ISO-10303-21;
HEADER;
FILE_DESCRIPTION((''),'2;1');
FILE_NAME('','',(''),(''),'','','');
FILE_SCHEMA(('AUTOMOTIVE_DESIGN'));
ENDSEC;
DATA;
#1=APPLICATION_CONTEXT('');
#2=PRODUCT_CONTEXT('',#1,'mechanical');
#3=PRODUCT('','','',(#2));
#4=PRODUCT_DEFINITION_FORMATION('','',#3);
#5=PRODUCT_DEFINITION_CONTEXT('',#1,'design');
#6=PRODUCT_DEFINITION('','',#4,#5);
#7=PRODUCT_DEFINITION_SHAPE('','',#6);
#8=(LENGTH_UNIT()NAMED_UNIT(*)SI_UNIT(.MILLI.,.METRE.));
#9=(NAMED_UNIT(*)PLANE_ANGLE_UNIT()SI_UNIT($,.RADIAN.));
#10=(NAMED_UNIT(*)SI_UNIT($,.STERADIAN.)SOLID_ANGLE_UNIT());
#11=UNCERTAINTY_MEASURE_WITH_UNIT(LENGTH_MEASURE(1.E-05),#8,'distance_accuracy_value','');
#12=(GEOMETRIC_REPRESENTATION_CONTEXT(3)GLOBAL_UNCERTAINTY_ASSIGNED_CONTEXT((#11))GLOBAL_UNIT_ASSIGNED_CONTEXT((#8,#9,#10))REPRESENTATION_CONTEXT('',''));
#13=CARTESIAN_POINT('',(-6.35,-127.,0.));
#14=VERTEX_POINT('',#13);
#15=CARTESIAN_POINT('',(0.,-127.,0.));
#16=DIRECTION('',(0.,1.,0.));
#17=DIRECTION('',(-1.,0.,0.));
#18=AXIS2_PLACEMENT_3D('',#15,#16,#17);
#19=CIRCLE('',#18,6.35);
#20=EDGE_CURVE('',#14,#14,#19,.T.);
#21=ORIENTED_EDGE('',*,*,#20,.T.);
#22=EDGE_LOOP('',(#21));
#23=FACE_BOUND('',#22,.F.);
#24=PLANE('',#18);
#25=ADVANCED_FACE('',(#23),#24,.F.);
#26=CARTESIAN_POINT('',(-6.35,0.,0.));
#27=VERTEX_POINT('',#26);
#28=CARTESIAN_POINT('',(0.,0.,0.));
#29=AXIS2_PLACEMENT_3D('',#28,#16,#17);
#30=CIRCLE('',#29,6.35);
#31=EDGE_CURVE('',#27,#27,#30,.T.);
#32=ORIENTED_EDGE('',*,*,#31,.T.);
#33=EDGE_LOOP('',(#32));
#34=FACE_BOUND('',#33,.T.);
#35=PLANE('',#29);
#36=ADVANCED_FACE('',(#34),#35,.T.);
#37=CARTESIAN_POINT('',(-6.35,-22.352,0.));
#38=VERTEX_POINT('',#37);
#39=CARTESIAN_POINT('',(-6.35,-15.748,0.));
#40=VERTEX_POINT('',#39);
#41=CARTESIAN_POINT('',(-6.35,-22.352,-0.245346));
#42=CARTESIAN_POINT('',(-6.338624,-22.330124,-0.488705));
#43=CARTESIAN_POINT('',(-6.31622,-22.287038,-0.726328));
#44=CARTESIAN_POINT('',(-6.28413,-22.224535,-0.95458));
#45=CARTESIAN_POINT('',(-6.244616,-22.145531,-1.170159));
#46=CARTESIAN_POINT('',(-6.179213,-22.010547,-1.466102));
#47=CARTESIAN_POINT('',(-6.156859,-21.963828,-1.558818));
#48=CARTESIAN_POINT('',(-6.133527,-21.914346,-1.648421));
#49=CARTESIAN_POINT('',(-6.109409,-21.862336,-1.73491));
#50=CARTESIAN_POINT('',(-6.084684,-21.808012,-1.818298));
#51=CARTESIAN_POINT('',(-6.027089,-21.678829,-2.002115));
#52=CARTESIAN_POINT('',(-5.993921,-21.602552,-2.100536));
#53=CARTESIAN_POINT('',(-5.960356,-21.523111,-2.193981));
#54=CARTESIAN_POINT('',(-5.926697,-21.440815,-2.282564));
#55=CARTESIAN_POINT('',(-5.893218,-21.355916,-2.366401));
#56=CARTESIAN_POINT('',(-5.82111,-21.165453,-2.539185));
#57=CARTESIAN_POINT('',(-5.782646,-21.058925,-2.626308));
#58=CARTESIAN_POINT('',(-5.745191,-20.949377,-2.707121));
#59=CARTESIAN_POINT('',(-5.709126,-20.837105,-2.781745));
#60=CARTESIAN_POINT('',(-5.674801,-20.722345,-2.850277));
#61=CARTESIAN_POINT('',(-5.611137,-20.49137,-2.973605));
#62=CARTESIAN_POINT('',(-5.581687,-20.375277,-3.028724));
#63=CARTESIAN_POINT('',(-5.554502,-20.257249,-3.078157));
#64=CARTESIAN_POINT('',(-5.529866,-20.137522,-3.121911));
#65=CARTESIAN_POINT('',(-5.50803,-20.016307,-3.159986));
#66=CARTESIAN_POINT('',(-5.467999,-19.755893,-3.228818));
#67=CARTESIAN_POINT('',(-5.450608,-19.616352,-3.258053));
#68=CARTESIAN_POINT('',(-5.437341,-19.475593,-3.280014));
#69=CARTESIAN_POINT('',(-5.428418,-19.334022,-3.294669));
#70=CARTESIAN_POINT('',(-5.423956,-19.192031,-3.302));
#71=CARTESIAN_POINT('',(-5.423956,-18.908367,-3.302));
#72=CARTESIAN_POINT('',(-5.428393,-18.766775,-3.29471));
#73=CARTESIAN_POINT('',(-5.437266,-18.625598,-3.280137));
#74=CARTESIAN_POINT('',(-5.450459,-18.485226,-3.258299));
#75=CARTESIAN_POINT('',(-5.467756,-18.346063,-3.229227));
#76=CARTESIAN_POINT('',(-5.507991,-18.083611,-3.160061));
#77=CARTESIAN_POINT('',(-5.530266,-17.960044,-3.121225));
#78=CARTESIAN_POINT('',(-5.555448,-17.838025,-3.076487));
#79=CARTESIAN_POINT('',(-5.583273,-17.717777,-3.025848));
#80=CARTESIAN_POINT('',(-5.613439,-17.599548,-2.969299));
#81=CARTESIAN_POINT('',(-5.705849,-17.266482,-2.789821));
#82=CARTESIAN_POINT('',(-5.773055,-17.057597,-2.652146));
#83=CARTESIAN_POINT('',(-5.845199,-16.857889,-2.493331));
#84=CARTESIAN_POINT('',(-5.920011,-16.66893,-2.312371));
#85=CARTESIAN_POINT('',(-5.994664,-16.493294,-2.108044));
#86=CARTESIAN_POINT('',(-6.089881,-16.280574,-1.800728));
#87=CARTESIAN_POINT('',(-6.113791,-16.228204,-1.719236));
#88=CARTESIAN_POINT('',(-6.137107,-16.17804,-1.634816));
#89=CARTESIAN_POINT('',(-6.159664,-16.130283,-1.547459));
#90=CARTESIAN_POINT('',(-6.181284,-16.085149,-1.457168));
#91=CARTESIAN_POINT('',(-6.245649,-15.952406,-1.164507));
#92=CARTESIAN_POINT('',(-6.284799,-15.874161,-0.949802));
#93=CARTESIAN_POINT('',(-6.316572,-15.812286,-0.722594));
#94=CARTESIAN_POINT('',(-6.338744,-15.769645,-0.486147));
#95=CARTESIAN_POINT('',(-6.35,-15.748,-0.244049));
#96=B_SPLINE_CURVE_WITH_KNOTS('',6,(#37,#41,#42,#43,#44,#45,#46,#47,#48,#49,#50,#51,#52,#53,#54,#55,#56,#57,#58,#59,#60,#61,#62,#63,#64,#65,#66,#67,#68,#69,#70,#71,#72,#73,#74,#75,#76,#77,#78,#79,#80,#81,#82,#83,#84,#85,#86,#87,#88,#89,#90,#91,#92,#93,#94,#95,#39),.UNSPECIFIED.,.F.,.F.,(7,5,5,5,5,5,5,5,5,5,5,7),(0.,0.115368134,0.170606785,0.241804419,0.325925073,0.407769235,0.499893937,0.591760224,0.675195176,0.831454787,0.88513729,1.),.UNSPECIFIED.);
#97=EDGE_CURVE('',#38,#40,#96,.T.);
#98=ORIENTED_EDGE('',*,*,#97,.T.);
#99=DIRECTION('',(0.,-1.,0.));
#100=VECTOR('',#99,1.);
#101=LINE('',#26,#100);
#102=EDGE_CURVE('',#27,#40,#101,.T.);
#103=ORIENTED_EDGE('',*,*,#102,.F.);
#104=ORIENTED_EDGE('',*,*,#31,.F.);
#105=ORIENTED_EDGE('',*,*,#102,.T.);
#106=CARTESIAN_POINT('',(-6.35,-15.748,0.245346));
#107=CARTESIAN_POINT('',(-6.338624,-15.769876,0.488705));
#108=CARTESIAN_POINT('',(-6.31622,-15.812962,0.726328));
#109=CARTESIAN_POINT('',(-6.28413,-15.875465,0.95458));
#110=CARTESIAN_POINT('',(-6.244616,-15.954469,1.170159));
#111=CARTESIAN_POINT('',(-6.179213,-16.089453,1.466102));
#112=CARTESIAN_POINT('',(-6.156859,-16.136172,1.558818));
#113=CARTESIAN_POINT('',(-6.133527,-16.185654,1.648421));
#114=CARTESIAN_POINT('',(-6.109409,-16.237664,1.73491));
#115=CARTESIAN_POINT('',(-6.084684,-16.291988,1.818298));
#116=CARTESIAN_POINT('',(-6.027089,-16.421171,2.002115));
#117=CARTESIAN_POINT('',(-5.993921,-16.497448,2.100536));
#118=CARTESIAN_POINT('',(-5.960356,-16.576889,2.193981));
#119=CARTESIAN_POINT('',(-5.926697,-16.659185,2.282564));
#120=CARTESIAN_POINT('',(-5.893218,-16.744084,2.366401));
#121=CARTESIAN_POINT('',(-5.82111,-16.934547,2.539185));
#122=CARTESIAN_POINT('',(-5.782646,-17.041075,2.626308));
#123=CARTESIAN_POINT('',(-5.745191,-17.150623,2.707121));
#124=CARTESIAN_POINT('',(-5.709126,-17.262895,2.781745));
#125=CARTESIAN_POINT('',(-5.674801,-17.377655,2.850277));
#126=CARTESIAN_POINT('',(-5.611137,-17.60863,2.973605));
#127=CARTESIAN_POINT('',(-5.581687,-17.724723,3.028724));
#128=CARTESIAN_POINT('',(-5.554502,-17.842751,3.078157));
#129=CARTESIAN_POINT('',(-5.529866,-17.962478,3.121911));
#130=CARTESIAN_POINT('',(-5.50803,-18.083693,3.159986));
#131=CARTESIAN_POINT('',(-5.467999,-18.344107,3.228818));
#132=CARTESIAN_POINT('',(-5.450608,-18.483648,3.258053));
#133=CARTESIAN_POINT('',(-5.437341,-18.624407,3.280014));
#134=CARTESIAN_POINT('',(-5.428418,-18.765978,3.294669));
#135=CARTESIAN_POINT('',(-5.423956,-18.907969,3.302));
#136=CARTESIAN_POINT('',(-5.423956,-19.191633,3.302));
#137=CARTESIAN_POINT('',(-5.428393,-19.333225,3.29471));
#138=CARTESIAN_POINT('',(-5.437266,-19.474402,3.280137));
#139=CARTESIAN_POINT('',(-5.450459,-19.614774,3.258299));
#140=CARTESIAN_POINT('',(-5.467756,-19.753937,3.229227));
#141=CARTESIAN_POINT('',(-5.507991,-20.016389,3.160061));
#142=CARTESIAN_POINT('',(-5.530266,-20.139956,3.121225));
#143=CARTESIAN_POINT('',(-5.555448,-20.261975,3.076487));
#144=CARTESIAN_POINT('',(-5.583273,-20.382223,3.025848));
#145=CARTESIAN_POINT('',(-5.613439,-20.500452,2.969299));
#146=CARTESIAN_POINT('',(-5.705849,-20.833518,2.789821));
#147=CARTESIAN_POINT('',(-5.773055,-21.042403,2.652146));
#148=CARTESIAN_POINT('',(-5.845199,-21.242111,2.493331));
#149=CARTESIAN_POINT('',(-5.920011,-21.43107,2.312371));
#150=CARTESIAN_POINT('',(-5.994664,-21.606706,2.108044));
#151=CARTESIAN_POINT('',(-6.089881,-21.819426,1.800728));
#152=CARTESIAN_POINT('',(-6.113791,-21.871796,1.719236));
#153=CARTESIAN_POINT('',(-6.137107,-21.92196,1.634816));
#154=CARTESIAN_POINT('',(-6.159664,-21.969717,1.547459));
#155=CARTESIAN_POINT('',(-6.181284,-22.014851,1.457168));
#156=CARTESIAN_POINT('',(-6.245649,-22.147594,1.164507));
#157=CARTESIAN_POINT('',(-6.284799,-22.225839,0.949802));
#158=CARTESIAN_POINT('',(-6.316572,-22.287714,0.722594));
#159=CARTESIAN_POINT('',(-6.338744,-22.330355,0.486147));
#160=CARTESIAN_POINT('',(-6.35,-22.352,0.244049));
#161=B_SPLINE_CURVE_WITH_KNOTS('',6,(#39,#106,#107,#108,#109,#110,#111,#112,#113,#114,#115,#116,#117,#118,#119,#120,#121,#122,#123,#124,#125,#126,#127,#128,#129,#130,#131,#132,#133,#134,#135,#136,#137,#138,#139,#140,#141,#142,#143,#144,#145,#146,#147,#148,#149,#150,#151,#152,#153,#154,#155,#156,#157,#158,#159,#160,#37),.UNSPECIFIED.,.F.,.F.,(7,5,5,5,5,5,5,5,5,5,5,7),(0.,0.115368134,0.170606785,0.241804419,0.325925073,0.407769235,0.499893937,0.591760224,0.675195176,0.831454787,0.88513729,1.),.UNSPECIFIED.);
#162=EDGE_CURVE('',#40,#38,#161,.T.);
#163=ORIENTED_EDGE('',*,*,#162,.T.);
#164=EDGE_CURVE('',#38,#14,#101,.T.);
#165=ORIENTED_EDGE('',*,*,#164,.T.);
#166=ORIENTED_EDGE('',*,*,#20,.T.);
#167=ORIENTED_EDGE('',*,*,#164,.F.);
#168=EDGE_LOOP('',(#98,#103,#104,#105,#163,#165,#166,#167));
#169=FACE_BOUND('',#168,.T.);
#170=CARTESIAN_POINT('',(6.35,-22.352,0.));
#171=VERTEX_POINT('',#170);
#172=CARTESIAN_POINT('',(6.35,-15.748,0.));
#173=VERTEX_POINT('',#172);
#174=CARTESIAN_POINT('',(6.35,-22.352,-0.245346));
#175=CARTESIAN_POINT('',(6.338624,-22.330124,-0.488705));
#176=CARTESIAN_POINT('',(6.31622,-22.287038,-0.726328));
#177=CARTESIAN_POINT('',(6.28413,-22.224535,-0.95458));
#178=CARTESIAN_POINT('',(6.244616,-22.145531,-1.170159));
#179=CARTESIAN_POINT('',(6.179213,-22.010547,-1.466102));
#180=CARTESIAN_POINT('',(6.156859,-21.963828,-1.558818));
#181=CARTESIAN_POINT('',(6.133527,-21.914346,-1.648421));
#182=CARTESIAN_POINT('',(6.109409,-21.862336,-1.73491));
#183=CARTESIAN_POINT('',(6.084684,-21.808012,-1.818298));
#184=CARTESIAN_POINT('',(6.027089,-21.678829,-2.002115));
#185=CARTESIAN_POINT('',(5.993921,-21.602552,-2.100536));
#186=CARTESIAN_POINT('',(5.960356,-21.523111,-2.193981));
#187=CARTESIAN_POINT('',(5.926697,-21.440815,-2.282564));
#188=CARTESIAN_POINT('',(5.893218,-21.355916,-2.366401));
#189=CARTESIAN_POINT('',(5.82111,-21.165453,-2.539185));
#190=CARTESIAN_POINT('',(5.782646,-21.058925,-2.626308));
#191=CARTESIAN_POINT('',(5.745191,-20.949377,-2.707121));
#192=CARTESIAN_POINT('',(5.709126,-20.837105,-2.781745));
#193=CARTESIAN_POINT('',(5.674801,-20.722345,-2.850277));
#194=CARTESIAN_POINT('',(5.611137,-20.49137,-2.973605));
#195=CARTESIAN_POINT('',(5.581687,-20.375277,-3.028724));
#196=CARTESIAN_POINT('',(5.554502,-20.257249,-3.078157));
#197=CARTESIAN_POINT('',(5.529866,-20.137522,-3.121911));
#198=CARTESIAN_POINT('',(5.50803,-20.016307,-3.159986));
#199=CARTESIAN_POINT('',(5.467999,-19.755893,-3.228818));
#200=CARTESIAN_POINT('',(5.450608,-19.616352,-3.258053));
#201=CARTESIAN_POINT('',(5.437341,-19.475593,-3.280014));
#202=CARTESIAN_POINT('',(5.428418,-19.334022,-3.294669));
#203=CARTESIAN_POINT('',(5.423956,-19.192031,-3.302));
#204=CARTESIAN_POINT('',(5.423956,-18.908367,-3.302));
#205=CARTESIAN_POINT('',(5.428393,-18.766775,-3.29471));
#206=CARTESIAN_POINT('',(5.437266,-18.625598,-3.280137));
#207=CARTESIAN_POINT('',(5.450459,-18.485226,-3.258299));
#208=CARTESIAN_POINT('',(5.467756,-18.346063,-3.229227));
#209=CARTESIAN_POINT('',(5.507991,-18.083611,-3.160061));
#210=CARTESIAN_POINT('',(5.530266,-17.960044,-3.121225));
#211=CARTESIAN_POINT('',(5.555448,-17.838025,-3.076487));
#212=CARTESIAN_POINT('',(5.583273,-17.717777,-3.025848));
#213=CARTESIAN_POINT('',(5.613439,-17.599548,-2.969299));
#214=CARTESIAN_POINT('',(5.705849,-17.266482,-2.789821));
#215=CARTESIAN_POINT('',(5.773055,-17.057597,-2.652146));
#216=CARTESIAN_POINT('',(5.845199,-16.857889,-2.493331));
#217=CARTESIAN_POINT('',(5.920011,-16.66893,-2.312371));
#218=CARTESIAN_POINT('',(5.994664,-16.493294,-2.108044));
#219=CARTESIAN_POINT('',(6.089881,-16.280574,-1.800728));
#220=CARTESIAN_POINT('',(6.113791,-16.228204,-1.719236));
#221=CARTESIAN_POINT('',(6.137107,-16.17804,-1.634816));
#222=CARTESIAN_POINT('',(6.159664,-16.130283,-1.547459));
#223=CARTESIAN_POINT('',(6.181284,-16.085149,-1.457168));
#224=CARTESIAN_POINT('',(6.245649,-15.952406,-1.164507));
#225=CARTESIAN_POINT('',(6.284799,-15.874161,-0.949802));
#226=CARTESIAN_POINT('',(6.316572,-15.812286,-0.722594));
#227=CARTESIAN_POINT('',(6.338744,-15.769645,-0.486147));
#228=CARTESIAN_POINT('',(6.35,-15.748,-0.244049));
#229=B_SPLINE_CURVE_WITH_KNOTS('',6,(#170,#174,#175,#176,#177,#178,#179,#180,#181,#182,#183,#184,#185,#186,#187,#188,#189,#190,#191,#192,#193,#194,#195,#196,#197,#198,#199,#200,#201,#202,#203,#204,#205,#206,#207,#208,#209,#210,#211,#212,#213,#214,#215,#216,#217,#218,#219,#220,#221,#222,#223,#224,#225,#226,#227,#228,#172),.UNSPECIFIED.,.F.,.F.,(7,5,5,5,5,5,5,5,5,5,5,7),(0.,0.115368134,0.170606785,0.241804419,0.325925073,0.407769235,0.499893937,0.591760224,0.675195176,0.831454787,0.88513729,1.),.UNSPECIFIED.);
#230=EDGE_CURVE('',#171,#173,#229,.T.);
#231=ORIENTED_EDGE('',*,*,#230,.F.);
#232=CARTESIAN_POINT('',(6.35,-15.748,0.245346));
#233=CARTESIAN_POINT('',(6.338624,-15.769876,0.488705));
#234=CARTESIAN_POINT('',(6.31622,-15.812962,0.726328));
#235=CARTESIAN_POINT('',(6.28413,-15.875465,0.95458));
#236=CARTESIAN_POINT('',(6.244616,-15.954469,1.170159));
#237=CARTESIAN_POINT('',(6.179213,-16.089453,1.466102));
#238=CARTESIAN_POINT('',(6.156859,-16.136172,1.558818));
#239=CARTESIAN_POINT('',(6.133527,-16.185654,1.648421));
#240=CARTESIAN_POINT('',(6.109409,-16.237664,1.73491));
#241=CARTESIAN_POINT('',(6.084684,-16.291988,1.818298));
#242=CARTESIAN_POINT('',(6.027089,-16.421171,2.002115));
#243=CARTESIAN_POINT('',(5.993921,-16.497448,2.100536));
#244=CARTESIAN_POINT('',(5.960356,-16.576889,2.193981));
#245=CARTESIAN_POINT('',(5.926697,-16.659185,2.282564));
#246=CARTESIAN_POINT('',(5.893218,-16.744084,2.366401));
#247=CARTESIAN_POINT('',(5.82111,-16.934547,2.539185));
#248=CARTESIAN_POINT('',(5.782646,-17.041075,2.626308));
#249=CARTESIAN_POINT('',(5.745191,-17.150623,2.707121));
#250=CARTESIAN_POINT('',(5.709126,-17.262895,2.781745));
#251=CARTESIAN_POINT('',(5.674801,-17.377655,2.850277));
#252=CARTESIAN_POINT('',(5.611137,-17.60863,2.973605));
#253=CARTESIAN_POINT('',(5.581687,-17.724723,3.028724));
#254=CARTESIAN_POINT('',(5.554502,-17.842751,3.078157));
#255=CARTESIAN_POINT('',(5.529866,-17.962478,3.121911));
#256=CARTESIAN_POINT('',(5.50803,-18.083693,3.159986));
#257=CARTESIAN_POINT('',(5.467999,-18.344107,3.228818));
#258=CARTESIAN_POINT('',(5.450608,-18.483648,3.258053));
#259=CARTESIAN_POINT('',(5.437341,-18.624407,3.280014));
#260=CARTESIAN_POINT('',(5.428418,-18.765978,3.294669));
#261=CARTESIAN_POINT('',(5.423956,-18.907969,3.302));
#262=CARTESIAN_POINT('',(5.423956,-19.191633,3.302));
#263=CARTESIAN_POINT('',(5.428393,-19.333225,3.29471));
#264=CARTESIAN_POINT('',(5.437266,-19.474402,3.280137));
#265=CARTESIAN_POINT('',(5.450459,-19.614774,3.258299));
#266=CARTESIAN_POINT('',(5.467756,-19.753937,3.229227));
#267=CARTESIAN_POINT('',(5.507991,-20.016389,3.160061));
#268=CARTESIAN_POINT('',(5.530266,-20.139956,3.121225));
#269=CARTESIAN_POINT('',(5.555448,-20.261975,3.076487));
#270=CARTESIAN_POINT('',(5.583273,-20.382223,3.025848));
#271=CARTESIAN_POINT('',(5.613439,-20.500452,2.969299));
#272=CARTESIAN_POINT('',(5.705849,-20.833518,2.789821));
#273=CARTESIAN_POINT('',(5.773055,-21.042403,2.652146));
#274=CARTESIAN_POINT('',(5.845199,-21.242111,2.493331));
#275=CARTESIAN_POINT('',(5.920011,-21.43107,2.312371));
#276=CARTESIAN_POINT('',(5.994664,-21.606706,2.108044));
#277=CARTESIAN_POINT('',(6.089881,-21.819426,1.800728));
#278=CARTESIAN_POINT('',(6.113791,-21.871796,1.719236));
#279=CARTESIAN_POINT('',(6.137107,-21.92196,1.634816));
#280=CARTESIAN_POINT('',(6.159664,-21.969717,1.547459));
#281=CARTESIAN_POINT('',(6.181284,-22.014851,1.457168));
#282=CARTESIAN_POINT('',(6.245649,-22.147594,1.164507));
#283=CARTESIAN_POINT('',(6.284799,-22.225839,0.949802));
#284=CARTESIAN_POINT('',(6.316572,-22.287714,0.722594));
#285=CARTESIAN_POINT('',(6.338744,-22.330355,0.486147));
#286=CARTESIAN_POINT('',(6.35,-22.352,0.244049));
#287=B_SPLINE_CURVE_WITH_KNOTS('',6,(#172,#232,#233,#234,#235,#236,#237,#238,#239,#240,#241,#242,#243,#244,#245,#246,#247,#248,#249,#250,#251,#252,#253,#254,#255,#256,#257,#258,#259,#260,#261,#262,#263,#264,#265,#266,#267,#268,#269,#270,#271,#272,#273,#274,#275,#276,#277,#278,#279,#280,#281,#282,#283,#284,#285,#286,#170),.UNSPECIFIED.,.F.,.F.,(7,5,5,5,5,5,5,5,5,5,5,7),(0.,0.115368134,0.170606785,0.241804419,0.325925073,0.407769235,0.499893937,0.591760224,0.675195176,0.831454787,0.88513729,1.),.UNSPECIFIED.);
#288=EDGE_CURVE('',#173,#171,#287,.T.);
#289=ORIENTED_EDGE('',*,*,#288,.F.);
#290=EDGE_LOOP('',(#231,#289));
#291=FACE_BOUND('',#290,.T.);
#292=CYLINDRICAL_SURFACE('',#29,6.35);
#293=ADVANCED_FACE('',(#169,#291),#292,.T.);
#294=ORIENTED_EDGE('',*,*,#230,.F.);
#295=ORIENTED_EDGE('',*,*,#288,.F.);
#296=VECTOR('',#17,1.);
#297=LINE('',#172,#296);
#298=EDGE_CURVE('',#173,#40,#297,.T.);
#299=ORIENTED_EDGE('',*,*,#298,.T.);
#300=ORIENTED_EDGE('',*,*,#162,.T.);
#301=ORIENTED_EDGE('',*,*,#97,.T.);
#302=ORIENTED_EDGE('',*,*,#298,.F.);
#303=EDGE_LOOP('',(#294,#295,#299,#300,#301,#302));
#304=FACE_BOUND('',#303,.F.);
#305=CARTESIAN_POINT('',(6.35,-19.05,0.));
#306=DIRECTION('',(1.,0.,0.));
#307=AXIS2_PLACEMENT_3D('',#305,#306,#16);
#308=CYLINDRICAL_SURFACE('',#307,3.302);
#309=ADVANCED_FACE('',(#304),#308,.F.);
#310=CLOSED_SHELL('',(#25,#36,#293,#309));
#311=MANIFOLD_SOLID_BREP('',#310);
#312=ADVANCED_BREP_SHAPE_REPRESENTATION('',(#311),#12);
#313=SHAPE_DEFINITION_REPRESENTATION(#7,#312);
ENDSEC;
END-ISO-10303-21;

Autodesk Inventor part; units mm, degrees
ref_plane "XZ Plane" through (0, 0, 0) normal (0, 1, 0) x (-1, 0, 0)
ref_plane "XY Plane" through (0, 0, 0) normal (0, 0, 1) x (1, 0, 0)
sketch "Sketch1" plane through (0, 0, 0) normal (0, 1, 0) x (-1, 0, 0)
  circle A0 centre (0, 0) radius 6.35
  dimension "d0" = 12.7
extrude "Extrusion1" add sketch "Sketch1" against normal blind 127
ref_plane "Work Plane1" through (6.35, 0, 0) normal (1, 0, 0) x (0, 1, 0)
sketch "Sketch3" plane through (6.35, 0, 0) normal (1, 0, 0) x (0, 1, 0)
  line L0 (0, 6.35) -> (-127, 6.35) construction
  line L1 (-19.05, 6.35) -> (-19.05, -6.35) construction
  line L2 (0, -6.35) -> (-127, -6.35) construction
  line L3 (0, 6.35) -> (0, -6.35) construction
  circle A0 centre (-19.05, 0) radius 3.302
  point P0 (0, 0)
  dimension "d4" = 19.05
  dimension "d5" = 6.604
extrude "Extrusion2" cut sketch "Sketch3" against normal through all
properties part number "Lower Half of Clutch" material "Aluminum 6061"
